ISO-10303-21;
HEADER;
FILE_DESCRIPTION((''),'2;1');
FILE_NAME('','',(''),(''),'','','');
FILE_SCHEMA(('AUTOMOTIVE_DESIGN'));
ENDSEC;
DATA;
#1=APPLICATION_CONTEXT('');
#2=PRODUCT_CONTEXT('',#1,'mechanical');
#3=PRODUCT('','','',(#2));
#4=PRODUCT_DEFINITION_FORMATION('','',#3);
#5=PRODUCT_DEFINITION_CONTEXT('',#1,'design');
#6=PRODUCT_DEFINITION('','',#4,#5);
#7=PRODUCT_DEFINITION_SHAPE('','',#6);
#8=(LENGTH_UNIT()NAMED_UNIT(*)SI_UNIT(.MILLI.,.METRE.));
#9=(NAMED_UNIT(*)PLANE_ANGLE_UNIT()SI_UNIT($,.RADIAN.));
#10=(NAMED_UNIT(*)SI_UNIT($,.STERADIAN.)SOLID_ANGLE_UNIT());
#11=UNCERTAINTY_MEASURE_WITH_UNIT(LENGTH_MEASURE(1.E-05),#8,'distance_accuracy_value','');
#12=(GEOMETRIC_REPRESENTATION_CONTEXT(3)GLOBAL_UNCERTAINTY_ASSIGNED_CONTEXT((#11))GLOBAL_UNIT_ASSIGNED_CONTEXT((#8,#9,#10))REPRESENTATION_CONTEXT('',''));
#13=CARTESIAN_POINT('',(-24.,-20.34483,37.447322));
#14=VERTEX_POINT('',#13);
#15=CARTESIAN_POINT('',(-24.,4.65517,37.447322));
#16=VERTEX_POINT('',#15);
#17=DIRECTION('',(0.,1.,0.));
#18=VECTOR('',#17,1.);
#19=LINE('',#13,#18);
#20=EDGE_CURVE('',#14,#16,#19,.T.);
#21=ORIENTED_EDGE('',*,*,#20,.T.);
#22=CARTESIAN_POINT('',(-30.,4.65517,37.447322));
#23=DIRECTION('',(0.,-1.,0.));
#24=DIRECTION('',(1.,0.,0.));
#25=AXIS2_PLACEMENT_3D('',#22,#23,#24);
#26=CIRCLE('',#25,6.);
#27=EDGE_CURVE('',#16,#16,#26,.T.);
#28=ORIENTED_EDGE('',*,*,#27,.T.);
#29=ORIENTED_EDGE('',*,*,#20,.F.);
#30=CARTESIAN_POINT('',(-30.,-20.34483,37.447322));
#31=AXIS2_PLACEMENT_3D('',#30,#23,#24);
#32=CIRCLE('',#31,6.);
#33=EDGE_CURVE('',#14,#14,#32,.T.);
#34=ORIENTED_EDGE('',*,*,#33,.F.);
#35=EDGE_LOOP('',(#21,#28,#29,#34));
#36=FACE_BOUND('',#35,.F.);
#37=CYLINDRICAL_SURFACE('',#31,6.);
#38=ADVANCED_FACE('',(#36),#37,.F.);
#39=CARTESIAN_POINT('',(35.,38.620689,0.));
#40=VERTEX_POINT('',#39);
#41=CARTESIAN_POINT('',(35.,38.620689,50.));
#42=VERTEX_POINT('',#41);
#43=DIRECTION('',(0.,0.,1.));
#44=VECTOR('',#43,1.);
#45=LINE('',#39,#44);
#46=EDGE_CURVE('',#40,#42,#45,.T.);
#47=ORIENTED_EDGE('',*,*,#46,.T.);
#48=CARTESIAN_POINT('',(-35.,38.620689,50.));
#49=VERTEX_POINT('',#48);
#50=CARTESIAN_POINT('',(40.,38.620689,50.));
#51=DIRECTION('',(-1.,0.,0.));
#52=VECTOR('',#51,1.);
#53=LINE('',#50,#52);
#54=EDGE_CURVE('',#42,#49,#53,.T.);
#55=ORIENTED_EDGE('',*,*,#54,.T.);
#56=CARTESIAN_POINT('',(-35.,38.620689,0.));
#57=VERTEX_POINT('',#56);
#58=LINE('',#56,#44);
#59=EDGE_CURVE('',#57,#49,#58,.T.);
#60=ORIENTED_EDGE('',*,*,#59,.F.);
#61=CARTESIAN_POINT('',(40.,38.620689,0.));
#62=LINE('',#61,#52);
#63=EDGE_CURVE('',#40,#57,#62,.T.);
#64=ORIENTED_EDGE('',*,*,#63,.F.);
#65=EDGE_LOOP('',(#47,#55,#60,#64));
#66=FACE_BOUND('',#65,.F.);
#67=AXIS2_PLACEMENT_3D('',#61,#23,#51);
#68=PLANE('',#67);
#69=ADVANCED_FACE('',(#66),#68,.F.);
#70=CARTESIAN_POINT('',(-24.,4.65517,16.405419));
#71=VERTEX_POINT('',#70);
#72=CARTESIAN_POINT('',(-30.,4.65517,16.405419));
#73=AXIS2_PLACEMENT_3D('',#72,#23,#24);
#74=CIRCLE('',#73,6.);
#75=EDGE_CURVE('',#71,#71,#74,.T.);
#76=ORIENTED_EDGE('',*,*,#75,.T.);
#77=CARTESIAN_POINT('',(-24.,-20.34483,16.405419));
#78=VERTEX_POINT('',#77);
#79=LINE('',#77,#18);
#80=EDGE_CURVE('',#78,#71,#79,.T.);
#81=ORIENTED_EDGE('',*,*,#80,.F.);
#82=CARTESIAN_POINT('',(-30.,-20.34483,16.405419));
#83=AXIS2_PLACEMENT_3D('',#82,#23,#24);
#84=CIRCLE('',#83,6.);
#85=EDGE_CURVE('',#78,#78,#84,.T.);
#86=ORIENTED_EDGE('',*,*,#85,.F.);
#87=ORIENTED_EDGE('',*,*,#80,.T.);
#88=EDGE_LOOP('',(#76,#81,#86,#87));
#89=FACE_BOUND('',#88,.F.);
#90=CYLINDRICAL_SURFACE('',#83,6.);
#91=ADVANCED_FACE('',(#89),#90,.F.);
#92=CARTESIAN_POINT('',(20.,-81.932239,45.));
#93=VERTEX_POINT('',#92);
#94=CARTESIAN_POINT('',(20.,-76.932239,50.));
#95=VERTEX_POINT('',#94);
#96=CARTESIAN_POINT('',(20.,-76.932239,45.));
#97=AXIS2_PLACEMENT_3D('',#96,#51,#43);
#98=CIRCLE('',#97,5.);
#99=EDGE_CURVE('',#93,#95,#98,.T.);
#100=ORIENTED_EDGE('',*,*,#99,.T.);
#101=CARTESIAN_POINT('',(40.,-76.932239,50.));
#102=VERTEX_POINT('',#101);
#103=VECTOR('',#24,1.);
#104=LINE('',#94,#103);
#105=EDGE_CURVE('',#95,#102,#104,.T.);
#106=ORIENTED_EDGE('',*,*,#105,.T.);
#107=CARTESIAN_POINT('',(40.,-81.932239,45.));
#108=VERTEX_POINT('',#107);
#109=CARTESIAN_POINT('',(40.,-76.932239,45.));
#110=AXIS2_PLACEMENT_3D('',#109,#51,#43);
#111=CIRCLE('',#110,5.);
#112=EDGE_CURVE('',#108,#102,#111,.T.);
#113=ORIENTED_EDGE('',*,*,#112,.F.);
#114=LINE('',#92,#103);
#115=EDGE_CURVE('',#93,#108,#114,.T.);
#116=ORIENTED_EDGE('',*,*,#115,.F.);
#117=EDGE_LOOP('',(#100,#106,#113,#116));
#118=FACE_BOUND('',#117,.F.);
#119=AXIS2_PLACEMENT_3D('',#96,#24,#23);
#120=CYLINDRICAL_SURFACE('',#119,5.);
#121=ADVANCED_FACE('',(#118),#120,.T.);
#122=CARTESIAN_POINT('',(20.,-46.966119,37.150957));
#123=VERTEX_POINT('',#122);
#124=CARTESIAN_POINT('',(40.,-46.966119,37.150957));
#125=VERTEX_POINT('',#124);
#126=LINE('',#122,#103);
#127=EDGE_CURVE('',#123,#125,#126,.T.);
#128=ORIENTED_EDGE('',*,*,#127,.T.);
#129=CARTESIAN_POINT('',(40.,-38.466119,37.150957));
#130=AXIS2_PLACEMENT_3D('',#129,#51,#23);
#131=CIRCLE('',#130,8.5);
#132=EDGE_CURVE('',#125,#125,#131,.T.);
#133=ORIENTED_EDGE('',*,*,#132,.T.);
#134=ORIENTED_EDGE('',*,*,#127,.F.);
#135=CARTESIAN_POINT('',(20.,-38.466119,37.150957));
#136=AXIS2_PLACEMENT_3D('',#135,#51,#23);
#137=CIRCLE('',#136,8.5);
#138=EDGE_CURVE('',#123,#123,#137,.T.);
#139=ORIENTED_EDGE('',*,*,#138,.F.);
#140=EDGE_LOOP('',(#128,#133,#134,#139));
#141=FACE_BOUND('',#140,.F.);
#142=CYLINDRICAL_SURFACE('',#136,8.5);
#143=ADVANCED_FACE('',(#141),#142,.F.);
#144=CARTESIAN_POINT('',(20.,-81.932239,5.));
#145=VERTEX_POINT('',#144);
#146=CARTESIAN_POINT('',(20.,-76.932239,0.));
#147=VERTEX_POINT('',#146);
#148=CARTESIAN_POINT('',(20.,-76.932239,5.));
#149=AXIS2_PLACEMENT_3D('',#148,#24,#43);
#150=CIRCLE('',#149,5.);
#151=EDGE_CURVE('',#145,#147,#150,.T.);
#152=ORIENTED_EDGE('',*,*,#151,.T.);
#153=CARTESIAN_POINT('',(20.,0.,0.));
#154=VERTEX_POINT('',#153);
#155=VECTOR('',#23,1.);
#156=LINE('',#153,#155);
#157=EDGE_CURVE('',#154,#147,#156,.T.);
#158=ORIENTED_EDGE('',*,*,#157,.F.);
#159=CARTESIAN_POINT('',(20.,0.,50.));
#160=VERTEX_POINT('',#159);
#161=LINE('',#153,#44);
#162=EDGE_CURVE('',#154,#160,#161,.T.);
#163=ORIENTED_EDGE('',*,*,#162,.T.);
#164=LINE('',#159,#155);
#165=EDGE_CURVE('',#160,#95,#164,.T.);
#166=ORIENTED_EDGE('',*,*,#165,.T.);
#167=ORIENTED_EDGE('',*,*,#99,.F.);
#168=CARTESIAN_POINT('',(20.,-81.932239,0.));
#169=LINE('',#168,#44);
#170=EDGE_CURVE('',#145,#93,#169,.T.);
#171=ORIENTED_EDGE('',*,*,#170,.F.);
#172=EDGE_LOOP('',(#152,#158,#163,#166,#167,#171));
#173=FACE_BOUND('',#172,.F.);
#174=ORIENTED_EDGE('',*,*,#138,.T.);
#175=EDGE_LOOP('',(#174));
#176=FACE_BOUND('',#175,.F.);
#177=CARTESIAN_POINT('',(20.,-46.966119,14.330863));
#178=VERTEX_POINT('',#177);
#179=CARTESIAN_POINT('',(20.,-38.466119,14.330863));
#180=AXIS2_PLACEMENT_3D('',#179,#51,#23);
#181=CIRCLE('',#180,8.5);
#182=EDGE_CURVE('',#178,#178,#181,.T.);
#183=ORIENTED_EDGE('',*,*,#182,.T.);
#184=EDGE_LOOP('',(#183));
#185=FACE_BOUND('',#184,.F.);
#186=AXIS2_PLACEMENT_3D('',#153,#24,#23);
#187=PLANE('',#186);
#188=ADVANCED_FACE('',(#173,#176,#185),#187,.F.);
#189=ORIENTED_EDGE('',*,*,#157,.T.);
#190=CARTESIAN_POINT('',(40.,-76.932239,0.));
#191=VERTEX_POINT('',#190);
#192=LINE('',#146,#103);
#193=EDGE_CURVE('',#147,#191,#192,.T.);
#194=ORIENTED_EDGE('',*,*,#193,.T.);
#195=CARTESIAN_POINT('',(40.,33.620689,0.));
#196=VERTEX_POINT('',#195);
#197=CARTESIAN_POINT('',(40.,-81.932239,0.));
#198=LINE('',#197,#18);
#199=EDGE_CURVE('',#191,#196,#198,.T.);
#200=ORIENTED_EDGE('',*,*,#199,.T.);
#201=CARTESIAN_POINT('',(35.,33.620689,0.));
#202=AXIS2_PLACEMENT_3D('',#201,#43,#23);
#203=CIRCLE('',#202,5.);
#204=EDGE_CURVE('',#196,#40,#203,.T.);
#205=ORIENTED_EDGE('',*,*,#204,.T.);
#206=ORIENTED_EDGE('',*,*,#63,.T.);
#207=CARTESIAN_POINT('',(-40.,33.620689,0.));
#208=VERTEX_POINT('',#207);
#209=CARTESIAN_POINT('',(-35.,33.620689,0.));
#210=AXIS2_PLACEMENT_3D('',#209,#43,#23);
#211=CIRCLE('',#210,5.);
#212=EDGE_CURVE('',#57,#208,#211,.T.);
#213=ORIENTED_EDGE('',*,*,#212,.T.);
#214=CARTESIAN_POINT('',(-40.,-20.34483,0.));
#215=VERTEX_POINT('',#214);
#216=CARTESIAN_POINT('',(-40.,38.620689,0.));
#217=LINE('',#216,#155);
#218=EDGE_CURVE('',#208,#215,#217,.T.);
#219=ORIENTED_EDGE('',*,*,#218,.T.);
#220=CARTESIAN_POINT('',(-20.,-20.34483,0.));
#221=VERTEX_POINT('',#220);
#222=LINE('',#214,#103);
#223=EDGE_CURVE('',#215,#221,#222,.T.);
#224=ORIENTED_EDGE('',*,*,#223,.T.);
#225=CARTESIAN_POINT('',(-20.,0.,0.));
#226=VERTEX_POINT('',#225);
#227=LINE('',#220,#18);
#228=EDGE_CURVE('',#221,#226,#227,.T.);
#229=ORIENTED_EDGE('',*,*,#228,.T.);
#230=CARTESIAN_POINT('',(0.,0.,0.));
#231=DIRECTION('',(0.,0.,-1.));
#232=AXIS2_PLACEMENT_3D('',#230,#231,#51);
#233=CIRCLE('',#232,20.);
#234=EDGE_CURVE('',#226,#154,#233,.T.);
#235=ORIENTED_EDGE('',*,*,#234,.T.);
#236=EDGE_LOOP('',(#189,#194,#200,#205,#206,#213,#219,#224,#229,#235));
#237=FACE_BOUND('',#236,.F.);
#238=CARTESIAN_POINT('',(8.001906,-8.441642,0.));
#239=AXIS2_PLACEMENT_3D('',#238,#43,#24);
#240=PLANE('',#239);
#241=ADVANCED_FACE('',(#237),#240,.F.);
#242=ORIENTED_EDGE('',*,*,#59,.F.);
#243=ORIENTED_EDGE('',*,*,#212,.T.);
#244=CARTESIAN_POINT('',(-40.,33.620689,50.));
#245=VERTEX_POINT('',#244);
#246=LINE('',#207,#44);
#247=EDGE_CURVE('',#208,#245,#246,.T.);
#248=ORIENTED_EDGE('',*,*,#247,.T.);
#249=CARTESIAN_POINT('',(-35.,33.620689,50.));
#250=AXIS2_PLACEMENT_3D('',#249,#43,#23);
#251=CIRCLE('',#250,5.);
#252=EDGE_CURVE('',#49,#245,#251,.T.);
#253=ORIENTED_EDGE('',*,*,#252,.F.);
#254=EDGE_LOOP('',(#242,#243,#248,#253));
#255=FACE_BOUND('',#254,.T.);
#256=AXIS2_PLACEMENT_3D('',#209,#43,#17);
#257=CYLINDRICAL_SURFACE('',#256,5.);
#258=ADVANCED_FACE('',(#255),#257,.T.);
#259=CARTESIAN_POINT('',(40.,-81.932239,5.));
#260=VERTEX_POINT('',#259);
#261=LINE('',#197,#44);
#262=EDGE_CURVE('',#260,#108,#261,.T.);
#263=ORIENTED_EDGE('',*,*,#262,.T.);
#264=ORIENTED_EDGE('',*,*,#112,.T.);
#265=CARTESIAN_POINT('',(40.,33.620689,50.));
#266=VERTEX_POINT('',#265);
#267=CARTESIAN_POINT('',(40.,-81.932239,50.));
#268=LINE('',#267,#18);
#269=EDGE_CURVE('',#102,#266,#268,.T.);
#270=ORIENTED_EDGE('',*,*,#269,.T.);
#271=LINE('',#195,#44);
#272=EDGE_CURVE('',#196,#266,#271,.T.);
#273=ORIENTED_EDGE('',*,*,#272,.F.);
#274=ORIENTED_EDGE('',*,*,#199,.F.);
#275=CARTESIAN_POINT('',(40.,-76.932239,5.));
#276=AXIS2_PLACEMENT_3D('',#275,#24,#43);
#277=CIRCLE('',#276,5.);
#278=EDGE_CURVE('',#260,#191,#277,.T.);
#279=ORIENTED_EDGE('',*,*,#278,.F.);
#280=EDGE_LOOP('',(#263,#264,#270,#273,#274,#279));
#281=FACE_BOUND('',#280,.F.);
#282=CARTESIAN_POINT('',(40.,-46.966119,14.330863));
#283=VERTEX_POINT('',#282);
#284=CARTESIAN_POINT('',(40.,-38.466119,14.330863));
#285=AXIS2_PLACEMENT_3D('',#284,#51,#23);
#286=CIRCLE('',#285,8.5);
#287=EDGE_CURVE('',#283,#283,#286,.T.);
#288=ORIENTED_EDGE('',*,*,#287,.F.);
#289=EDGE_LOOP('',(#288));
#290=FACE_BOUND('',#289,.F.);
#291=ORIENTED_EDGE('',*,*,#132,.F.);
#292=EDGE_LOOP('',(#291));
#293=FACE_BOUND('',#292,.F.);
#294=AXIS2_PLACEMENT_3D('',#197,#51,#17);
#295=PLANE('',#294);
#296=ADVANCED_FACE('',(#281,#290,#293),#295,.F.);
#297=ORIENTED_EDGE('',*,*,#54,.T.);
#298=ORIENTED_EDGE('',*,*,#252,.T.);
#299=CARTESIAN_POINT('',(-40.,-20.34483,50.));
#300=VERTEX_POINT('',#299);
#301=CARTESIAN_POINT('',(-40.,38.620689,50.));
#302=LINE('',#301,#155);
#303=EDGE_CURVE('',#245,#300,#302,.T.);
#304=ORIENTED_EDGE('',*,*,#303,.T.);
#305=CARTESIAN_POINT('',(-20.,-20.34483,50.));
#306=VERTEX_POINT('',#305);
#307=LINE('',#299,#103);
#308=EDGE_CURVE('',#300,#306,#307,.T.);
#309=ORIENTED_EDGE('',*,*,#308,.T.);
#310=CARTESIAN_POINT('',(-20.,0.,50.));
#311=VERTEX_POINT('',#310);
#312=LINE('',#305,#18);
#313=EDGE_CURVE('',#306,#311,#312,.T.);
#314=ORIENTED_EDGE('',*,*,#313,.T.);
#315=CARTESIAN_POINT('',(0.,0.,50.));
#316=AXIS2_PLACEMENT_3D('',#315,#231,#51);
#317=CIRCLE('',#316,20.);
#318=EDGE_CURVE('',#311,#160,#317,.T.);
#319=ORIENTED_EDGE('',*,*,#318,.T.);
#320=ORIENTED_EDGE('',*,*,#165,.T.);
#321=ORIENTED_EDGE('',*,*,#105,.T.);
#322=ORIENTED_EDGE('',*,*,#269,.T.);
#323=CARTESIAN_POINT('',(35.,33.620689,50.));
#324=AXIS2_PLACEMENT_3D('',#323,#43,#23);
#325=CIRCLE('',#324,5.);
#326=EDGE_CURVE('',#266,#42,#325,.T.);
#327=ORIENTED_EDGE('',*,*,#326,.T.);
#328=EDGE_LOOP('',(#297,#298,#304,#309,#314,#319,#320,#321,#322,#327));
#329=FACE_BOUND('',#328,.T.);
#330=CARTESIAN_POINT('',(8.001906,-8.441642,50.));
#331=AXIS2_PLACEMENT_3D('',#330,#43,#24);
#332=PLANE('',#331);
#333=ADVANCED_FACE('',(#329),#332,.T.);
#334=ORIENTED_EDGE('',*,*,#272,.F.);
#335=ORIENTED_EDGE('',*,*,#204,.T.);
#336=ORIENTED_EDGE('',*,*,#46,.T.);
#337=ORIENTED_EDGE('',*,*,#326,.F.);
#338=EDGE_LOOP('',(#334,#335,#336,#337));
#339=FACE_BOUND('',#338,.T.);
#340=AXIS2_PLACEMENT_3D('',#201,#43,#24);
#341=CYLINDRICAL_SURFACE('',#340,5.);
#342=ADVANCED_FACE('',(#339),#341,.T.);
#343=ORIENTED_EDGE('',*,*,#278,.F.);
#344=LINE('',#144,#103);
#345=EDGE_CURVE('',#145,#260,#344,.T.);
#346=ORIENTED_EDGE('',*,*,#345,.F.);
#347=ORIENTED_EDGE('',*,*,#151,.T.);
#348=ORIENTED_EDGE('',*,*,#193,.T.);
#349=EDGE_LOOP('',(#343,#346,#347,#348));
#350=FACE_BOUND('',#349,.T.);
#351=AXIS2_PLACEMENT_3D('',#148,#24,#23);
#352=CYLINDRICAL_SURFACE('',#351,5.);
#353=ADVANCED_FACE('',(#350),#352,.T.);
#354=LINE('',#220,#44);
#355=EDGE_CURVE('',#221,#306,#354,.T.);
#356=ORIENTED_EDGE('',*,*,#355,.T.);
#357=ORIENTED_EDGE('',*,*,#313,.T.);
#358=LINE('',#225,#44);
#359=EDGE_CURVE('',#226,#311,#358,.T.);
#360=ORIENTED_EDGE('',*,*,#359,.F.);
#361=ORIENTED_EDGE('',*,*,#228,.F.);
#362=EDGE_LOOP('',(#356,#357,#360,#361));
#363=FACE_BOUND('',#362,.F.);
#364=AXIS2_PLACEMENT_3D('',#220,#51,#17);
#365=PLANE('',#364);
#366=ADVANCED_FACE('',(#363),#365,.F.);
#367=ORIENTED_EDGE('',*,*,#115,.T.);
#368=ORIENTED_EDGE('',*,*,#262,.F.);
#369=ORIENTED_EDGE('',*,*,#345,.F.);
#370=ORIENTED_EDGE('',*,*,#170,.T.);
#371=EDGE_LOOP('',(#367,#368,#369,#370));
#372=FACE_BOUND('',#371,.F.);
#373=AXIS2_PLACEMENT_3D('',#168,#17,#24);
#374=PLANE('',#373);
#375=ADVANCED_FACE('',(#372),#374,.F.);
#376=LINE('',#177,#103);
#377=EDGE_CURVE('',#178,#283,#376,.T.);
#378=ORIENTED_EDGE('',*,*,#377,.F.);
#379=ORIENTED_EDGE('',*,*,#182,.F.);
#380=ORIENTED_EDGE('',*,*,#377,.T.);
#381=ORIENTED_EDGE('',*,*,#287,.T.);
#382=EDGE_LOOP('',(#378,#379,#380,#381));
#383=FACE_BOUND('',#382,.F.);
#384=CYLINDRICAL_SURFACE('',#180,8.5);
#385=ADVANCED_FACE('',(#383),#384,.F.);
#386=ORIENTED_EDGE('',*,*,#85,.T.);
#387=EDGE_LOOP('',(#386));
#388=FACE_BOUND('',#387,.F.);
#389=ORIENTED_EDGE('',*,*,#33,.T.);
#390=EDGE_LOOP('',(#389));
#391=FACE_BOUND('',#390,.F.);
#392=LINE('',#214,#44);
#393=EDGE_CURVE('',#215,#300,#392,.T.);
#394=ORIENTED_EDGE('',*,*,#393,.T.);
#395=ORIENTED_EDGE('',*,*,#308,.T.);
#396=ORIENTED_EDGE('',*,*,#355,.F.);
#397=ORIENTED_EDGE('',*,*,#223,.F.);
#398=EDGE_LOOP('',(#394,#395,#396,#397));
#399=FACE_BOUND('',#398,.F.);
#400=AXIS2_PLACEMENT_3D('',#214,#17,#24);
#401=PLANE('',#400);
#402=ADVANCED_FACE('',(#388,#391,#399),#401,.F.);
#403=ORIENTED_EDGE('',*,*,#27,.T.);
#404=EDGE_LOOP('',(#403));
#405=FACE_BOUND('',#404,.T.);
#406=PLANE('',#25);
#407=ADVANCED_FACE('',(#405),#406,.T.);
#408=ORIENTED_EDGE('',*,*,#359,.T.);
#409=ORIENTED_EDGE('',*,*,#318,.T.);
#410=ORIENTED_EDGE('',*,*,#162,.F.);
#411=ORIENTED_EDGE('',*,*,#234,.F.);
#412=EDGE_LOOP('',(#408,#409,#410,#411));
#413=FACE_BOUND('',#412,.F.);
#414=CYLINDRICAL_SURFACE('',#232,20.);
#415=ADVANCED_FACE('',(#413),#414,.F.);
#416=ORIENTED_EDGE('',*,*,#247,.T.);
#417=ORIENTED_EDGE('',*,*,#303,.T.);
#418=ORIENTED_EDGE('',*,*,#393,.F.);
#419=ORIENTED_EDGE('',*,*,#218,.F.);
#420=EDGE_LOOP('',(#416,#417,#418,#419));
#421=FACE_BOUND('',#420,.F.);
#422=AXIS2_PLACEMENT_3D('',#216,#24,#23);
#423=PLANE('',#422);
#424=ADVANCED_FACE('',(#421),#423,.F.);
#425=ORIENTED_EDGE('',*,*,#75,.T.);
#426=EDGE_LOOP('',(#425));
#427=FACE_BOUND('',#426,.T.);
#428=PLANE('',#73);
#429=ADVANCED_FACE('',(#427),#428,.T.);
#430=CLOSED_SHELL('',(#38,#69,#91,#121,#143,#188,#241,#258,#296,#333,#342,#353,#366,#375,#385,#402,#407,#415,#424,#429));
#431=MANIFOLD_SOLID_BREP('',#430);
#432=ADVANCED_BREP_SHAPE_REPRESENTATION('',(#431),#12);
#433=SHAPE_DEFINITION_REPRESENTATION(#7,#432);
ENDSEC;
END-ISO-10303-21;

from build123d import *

# Parameters (mm, degrees)
F1_DEPTH = 50
F2_R     = 5
F3_R     = 8.5
F4_DEPTH = 20.001
F5_R     = 6
F6_DEPTH = 25


with BuildPart() as f1:
    # F0 (on Top) → F1 (new body)
    with BuildSketch(Plane.XY):
        with BuildLine():
            ThreePointArc((-20, 0), (0, 20), (20, 0))
            Line((20, 0), (20, -81.932239))
            Line((20, -81.932239), (40, -81.932239))
            Line((40, -81.932239), (40, 38.620689))
            Line((40, 38.620689), (-40, 38.620689))
            Line((-40, 38.620689), (-40, -20.34483))
            Line((-40, -20.34483), (-20, -20.34483))
            Line((-20, -20.34483), (-20, 0))
        make_face()
    extrude(amount=F1_DEPTH)

    # F2
    f2_edges = [f1.edges().sort_by_distance(p)[0] for p in [
        (-40, 38.620689, 25),
        (40, 38.620689, 25),
        (30, -81.932239, 50),
        (30, -81.932239, 0),
    ]]
    fillet(f2_edges, radius=F2_R)

    # F3 (on face) → F4 (cut, through all)
    with BuildSketch(Plane(origin=(20, 0, 0), x_dir=(0, -1, 0), z_dir=(-1, 0, 0))):
        with Locations((38.466119, 37.150957)):
            Circle(F3_R)
        with Locations((38.466119, 14.330863)):
            Circle(F3_R)
    extrude(amount=-F4_DEPTH, mode=Mode.SUBTRACT)

    # F5 (on face) → F6 (cut)
    with BuildSketch(Plane.XZ.offset(20.34483)):
        with Locations((-30, 37.447322)):
            Circle(F5_R)
        with Locations((-30, 16.405419)):
            Circle(F5_R)
    extrude(amount=-F6_DEPTH, mode=Mode.SUBTRACT)


solid = f1.part
